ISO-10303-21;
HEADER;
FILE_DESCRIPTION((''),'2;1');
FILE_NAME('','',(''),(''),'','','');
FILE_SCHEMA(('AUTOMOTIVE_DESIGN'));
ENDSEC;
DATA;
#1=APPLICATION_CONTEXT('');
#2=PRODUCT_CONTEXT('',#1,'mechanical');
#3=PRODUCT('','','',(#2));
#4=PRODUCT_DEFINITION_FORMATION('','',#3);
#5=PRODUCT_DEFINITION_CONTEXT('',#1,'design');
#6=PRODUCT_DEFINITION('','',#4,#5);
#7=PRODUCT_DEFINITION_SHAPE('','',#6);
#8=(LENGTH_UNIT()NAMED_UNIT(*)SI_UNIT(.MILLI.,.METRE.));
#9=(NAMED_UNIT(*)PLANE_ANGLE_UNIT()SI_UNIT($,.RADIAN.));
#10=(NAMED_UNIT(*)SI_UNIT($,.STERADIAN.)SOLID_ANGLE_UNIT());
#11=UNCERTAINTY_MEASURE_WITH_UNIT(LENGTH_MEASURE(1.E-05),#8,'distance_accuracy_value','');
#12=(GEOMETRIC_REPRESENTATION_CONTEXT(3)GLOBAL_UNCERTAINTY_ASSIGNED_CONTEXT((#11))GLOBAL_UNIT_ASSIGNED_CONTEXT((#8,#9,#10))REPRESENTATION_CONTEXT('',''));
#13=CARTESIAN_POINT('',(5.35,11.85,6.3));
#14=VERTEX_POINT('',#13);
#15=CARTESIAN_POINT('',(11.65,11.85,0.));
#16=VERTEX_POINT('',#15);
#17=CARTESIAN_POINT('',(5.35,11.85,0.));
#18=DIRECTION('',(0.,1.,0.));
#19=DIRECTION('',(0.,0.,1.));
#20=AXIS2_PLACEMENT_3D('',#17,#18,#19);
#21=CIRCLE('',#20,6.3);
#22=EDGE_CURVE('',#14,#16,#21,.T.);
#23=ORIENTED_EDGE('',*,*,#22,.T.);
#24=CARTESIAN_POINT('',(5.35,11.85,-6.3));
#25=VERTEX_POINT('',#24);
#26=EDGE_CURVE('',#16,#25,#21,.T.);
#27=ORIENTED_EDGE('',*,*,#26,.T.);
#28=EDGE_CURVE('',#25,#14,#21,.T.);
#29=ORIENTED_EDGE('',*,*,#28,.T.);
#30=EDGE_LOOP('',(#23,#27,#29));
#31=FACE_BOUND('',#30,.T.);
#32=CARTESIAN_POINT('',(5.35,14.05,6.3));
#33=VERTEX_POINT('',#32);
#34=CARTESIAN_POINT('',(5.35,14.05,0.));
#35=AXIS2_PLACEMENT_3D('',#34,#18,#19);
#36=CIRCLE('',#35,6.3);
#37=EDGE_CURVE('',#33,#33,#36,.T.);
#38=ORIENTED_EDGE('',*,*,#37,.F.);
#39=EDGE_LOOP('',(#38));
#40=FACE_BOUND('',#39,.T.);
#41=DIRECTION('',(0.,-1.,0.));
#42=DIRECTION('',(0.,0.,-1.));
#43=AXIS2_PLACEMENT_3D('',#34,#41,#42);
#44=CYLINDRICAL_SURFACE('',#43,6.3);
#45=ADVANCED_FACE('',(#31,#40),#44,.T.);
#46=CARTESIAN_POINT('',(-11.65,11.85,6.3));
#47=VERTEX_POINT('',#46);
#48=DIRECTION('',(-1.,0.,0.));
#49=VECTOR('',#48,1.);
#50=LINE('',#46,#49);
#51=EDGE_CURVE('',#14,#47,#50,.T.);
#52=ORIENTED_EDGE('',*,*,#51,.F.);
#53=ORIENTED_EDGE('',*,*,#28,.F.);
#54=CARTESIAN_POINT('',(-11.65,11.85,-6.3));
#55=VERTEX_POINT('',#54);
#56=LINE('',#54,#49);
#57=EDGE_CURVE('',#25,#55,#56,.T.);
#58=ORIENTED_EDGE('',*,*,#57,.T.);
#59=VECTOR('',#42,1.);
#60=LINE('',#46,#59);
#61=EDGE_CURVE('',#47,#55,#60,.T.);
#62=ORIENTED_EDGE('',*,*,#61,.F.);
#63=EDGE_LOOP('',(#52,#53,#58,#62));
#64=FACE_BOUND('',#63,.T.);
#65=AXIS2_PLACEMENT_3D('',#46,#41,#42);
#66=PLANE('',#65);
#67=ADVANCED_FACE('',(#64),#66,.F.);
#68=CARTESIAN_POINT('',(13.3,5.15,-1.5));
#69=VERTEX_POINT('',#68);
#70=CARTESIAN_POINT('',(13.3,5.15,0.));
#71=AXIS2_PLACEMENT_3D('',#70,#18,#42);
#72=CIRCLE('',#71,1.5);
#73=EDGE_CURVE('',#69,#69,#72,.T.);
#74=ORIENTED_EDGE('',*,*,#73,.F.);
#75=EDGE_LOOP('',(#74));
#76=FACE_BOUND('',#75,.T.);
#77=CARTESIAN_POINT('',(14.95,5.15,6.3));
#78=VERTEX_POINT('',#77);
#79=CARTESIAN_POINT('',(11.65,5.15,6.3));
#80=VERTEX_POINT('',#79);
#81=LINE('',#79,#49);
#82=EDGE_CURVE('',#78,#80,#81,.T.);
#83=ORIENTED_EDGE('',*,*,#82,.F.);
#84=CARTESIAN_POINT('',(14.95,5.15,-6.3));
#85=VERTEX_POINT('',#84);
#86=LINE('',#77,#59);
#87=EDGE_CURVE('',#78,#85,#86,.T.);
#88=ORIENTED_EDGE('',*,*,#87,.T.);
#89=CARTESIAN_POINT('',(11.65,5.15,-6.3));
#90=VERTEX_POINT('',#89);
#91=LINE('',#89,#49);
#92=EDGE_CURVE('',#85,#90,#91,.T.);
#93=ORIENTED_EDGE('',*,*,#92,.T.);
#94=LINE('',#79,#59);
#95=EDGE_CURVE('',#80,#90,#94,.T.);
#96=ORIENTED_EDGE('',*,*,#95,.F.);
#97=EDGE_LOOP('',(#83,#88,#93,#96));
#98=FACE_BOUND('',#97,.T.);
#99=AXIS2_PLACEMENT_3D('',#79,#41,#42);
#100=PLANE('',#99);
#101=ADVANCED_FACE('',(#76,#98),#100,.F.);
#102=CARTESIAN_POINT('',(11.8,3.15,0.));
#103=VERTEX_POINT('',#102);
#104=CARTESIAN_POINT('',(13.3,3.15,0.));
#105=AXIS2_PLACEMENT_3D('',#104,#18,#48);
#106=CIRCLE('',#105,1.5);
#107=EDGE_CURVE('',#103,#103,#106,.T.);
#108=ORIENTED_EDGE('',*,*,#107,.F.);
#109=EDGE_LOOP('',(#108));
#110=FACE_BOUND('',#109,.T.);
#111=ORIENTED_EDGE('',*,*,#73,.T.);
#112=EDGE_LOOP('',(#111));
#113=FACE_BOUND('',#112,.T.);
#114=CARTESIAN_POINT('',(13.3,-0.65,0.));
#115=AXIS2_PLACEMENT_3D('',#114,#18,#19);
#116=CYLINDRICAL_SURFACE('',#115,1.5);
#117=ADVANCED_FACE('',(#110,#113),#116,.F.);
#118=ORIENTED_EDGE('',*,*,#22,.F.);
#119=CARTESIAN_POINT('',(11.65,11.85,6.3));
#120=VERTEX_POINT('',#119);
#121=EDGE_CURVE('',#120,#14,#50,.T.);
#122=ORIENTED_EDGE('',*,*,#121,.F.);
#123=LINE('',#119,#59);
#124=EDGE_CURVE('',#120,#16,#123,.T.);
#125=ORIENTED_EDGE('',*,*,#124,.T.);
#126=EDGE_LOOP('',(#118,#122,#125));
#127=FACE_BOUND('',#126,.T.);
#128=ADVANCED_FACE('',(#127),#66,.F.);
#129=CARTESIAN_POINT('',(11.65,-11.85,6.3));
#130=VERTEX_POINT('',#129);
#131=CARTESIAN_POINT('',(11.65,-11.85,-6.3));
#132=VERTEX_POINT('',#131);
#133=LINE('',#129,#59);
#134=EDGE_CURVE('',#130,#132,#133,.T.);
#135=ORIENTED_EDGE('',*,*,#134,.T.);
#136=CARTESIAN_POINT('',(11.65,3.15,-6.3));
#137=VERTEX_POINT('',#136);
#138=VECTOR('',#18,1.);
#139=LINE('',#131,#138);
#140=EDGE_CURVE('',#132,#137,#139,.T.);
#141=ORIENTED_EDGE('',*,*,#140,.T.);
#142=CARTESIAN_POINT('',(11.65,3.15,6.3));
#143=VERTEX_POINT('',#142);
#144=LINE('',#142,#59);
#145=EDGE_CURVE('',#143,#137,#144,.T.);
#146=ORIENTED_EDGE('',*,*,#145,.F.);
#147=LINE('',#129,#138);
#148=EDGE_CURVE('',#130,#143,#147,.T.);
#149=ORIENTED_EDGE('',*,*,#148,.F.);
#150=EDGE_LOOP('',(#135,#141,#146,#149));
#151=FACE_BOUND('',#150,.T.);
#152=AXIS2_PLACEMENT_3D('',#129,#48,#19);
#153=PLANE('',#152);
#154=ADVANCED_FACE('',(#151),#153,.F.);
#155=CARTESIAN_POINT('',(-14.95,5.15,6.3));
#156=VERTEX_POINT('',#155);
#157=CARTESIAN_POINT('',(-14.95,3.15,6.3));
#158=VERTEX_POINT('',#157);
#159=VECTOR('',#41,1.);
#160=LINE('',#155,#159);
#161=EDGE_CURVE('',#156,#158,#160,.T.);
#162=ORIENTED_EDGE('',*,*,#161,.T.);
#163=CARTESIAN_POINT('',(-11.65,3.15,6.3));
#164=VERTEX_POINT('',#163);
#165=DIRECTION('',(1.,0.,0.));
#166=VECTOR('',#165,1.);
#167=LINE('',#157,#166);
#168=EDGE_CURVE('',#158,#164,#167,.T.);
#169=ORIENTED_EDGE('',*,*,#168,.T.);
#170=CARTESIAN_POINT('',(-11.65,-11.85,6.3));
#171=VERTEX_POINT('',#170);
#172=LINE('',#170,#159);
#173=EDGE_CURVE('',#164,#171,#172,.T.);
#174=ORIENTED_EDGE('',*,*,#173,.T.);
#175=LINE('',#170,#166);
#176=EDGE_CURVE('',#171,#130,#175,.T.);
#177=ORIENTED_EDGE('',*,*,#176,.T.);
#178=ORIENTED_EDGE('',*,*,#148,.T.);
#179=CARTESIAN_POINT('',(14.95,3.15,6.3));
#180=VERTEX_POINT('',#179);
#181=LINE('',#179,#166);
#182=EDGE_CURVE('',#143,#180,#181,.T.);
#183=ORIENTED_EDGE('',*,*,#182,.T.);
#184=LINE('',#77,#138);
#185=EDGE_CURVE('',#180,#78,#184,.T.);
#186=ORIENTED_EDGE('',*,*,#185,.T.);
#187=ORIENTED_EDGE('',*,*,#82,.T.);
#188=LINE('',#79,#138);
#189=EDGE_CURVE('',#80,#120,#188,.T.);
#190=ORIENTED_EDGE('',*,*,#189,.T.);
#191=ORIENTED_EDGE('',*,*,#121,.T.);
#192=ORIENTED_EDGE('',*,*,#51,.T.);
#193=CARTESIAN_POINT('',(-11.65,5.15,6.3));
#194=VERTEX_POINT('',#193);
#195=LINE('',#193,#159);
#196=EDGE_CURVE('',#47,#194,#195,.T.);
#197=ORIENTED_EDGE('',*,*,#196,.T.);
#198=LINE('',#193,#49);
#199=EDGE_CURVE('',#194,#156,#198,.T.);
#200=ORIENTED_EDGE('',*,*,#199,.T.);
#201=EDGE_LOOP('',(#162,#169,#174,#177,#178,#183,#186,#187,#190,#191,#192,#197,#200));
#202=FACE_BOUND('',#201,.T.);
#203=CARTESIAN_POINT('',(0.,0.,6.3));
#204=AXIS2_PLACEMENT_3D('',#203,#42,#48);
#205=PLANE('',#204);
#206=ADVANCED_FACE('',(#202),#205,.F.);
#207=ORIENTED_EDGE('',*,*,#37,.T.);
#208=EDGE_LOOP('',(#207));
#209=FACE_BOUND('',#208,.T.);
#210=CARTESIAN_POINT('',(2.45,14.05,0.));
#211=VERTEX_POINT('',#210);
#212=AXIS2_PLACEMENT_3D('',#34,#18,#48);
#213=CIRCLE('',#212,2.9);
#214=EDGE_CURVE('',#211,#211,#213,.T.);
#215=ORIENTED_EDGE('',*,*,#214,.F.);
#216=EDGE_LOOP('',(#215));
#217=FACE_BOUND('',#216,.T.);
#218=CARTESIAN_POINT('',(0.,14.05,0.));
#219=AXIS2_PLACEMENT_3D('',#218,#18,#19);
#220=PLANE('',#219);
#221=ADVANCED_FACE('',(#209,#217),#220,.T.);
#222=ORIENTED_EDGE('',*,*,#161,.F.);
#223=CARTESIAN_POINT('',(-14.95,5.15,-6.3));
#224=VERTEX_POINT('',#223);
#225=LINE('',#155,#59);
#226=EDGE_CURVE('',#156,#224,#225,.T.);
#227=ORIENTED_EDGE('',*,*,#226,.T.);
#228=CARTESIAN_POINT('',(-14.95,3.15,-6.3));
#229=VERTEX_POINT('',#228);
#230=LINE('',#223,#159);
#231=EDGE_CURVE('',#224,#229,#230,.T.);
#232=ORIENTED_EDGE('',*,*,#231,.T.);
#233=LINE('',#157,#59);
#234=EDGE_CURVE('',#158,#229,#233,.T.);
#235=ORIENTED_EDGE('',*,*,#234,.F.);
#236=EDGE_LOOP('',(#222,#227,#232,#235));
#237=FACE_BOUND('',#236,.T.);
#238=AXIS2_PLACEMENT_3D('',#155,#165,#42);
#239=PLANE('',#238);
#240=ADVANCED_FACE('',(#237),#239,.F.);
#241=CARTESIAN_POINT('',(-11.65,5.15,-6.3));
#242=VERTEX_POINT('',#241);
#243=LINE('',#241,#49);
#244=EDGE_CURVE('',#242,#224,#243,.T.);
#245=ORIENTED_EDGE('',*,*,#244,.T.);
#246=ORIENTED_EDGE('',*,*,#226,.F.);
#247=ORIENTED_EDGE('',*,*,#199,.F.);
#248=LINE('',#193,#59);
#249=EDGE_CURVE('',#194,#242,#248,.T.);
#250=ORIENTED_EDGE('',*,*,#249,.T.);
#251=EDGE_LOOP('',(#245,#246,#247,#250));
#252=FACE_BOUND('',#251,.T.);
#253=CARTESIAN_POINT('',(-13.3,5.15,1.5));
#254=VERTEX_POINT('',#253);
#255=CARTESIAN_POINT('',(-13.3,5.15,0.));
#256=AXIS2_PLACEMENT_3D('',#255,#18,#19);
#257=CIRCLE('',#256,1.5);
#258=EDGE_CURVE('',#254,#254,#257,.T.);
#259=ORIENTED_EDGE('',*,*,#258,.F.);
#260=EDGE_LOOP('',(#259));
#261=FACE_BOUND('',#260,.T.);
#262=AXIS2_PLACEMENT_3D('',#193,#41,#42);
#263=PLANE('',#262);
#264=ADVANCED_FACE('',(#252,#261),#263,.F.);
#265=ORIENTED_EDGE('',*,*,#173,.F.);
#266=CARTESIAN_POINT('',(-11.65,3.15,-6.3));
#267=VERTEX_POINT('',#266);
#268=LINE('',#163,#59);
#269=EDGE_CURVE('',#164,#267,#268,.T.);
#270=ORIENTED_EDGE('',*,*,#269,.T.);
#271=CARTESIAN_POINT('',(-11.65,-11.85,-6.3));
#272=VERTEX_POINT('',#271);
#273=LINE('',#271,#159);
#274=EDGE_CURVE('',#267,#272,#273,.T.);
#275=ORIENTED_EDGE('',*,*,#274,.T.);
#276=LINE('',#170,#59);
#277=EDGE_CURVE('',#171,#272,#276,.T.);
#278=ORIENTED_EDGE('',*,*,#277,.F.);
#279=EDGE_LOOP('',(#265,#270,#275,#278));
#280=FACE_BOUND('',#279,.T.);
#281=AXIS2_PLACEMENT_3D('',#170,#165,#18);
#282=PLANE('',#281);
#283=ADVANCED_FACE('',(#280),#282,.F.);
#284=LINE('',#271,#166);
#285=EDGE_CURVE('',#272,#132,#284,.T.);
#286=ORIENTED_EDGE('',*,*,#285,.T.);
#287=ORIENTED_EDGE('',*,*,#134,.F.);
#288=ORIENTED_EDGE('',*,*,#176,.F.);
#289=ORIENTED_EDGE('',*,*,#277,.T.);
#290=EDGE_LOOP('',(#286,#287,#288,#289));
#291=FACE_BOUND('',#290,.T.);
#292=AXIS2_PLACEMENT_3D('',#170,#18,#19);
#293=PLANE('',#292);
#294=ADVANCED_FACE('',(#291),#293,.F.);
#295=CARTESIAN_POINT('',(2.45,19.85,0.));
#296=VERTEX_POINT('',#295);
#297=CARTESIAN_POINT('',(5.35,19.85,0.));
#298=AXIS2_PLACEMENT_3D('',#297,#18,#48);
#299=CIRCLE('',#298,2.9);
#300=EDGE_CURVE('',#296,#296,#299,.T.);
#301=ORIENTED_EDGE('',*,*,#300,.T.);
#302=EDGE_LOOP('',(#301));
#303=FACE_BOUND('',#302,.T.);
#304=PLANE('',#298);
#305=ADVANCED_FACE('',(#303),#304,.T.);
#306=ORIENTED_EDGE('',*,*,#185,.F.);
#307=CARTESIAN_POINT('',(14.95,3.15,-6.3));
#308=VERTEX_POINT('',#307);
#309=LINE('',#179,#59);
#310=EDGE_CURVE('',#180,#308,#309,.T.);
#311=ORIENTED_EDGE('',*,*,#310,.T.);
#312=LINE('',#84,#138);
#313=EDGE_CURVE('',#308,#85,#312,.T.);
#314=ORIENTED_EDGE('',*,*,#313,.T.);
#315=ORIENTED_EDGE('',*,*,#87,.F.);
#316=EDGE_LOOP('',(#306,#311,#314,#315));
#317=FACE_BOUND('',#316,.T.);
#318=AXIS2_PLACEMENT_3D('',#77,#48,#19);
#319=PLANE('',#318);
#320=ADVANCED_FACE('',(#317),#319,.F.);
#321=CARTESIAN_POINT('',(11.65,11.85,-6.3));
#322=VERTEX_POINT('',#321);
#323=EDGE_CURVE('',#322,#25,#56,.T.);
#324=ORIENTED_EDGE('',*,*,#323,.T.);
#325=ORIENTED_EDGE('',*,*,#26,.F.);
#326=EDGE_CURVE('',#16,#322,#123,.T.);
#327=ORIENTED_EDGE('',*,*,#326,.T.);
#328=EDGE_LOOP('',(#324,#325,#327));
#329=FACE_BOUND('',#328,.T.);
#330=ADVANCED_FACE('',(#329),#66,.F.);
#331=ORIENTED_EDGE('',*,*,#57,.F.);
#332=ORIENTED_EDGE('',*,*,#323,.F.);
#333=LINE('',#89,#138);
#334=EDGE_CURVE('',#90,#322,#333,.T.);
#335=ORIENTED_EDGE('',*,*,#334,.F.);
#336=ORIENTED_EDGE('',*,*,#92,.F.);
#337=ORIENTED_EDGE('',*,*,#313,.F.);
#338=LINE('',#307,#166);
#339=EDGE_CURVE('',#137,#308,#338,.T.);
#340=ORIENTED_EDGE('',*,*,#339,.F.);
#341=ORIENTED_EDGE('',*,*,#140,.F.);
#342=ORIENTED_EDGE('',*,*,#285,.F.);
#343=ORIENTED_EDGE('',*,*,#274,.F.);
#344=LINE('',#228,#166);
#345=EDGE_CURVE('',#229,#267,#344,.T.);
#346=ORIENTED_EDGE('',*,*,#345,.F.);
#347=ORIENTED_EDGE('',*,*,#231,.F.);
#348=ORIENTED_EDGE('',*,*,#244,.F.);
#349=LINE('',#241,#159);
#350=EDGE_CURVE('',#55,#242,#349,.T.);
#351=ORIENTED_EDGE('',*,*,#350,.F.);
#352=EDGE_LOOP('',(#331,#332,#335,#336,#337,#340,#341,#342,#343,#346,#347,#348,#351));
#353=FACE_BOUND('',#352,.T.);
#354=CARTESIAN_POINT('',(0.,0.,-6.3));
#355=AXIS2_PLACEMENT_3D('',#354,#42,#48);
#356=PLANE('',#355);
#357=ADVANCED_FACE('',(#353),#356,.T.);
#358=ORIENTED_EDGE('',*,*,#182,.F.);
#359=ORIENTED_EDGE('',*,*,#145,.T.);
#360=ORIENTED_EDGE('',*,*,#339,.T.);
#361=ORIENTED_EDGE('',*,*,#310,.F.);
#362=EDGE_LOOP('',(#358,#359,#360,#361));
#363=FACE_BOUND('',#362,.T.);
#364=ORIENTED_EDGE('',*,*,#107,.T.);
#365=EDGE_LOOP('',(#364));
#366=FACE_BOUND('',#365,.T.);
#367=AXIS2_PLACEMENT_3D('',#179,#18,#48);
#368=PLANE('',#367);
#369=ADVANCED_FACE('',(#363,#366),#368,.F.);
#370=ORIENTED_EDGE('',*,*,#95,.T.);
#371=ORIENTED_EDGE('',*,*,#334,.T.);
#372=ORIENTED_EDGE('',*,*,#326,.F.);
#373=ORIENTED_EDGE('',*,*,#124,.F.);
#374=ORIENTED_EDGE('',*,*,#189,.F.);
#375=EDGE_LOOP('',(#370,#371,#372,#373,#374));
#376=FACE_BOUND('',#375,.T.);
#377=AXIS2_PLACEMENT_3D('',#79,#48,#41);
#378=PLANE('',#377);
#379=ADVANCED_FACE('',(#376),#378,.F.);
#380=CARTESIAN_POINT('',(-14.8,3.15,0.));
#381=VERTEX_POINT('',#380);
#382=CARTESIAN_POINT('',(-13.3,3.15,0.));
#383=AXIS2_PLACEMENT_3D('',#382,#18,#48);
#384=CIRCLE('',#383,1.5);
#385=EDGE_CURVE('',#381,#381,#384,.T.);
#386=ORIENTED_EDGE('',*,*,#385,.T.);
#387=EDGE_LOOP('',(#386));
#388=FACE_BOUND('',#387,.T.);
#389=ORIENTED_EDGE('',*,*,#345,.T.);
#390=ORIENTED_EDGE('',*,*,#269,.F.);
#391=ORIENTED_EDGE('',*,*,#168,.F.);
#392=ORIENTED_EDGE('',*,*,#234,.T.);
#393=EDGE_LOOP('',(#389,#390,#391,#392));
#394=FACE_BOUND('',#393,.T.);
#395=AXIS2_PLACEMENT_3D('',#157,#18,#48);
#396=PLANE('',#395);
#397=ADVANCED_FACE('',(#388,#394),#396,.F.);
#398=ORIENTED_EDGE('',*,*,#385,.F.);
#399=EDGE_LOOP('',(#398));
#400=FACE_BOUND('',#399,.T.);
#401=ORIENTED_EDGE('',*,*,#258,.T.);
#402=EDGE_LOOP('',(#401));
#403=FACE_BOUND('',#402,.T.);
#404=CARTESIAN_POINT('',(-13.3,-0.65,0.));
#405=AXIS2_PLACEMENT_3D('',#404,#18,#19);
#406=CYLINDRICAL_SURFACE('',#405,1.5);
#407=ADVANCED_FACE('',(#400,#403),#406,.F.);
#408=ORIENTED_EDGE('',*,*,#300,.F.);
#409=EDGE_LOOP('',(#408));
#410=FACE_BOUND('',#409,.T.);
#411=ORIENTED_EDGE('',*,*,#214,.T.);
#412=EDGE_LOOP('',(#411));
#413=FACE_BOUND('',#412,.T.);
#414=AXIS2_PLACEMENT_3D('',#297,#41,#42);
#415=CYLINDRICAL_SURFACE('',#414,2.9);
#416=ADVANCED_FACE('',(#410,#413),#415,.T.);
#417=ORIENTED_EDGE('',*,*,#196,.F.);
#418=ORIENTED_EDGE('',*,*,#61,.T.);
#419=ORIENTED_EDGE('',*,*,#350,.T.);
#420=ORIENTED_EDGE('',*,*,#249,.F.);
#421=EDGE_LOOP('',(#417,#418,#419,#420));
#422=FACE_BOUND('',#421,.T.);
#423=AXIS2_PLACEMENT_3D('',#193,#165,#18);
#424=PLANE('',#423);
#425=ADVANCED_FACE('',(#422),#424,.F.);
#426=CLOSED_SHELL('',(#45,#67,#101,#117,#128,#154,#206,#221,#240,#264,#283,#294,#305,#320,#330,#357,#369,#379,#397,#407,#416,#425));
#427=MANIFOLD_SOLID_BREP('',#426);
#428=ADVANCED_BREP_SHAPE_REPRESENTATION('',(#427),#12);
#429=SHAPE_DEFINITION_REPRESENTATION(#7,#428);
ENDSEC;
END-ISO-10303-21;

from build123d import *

# Parameters (mm, degrees)
EXTRUDE_1_DEPTH     = 6.3
SKETCH_2_R          = 6.3
SKETCH_2_R_2        = 2.9
EXTRUDE_2_DEPTH     = 2.2
EXTRUDE_START       = 2.2
SKETCH_2_3_R        = 2.9
EXTRUDE_3_DEPTH     = 5.8
SKETCH_3_R          = 1.5
CUT_EXTRUDE_1_DEPTH = 5.8


with BuildPart() as part:
    # Эскиз1 → Бобышка-Вытянуть1 (new, symmetric)
    with BuildSketch(Plane.XY):
        Polygon((-11.65, -11.85), (11.65, -11.85), (11.65, 3.15), (14.95, 3.15), (14.95, 5.15), (11.65, 5.15), (11.65, 11.85), (-11.65, 11.85), (-11.65, 5.15), (-14.95, 5.15), (-14.95, 3.15), (-11.65, 3.15), align=None)
    extrude(amount=EXTRUDE_1_DEPTH, both=True)

    # Эскиз2 → Бобышка-Вытянуть2 (add)
    with BuildSketch(Plane(origin=(0, 11.85, 0), x_dir=(1, 0, 0), z_dir=(0, 1, 0))):
        with Locations(Location((5.35, 0, 0), (0, 0, 270))):
            Circle(SKETCH_2_R)
        with Locations((5.35, 0)):
            Circle(SKETCH_2_R_2, mode=Mode.SUBTRACT)
        with Locations((5.35, 0)):
            Circle(SKETCH_2_R_2)
    extrude(amount=EXTRUDE_2_DEPTH)

    # Эскиз2<3> → Бобышка-Вытянуть3 (add)
    with BuildSketch(Plane(origin=(0, 11.85, 0), x_dir=(1, 0, 0), z_dir=(0, 1, 0)).offset(EXTRUDE_START)):
        with Locations(Location((5.35, 0, 0), (0, 0, 180))):
            Circle(SKETCH_2_3_R)
    extrude(amount=EXTRUDE_3_DEPTH)

    # Эскиз3 → Вырез-Вытянуть1 (cut)
    with BuildSketch(Plane(origin=(0, 5.15, 0), x_dir=(1, 0, 0), z_dir=(0, 1, 0))):
        with Locations(Location((-13.3, 0, 0), (0, 0, 270))):
            Circle(SKETCH_3_R)
        with Locations(Location((13.3, 0, 0), (0, 0, 180))):
            Circle(SKETCH_3_R)
    extrude(amount=-CUT_EXTRUDE_1_DEPTH, mode=Mode.SUBTRACT)


solid = part.part
